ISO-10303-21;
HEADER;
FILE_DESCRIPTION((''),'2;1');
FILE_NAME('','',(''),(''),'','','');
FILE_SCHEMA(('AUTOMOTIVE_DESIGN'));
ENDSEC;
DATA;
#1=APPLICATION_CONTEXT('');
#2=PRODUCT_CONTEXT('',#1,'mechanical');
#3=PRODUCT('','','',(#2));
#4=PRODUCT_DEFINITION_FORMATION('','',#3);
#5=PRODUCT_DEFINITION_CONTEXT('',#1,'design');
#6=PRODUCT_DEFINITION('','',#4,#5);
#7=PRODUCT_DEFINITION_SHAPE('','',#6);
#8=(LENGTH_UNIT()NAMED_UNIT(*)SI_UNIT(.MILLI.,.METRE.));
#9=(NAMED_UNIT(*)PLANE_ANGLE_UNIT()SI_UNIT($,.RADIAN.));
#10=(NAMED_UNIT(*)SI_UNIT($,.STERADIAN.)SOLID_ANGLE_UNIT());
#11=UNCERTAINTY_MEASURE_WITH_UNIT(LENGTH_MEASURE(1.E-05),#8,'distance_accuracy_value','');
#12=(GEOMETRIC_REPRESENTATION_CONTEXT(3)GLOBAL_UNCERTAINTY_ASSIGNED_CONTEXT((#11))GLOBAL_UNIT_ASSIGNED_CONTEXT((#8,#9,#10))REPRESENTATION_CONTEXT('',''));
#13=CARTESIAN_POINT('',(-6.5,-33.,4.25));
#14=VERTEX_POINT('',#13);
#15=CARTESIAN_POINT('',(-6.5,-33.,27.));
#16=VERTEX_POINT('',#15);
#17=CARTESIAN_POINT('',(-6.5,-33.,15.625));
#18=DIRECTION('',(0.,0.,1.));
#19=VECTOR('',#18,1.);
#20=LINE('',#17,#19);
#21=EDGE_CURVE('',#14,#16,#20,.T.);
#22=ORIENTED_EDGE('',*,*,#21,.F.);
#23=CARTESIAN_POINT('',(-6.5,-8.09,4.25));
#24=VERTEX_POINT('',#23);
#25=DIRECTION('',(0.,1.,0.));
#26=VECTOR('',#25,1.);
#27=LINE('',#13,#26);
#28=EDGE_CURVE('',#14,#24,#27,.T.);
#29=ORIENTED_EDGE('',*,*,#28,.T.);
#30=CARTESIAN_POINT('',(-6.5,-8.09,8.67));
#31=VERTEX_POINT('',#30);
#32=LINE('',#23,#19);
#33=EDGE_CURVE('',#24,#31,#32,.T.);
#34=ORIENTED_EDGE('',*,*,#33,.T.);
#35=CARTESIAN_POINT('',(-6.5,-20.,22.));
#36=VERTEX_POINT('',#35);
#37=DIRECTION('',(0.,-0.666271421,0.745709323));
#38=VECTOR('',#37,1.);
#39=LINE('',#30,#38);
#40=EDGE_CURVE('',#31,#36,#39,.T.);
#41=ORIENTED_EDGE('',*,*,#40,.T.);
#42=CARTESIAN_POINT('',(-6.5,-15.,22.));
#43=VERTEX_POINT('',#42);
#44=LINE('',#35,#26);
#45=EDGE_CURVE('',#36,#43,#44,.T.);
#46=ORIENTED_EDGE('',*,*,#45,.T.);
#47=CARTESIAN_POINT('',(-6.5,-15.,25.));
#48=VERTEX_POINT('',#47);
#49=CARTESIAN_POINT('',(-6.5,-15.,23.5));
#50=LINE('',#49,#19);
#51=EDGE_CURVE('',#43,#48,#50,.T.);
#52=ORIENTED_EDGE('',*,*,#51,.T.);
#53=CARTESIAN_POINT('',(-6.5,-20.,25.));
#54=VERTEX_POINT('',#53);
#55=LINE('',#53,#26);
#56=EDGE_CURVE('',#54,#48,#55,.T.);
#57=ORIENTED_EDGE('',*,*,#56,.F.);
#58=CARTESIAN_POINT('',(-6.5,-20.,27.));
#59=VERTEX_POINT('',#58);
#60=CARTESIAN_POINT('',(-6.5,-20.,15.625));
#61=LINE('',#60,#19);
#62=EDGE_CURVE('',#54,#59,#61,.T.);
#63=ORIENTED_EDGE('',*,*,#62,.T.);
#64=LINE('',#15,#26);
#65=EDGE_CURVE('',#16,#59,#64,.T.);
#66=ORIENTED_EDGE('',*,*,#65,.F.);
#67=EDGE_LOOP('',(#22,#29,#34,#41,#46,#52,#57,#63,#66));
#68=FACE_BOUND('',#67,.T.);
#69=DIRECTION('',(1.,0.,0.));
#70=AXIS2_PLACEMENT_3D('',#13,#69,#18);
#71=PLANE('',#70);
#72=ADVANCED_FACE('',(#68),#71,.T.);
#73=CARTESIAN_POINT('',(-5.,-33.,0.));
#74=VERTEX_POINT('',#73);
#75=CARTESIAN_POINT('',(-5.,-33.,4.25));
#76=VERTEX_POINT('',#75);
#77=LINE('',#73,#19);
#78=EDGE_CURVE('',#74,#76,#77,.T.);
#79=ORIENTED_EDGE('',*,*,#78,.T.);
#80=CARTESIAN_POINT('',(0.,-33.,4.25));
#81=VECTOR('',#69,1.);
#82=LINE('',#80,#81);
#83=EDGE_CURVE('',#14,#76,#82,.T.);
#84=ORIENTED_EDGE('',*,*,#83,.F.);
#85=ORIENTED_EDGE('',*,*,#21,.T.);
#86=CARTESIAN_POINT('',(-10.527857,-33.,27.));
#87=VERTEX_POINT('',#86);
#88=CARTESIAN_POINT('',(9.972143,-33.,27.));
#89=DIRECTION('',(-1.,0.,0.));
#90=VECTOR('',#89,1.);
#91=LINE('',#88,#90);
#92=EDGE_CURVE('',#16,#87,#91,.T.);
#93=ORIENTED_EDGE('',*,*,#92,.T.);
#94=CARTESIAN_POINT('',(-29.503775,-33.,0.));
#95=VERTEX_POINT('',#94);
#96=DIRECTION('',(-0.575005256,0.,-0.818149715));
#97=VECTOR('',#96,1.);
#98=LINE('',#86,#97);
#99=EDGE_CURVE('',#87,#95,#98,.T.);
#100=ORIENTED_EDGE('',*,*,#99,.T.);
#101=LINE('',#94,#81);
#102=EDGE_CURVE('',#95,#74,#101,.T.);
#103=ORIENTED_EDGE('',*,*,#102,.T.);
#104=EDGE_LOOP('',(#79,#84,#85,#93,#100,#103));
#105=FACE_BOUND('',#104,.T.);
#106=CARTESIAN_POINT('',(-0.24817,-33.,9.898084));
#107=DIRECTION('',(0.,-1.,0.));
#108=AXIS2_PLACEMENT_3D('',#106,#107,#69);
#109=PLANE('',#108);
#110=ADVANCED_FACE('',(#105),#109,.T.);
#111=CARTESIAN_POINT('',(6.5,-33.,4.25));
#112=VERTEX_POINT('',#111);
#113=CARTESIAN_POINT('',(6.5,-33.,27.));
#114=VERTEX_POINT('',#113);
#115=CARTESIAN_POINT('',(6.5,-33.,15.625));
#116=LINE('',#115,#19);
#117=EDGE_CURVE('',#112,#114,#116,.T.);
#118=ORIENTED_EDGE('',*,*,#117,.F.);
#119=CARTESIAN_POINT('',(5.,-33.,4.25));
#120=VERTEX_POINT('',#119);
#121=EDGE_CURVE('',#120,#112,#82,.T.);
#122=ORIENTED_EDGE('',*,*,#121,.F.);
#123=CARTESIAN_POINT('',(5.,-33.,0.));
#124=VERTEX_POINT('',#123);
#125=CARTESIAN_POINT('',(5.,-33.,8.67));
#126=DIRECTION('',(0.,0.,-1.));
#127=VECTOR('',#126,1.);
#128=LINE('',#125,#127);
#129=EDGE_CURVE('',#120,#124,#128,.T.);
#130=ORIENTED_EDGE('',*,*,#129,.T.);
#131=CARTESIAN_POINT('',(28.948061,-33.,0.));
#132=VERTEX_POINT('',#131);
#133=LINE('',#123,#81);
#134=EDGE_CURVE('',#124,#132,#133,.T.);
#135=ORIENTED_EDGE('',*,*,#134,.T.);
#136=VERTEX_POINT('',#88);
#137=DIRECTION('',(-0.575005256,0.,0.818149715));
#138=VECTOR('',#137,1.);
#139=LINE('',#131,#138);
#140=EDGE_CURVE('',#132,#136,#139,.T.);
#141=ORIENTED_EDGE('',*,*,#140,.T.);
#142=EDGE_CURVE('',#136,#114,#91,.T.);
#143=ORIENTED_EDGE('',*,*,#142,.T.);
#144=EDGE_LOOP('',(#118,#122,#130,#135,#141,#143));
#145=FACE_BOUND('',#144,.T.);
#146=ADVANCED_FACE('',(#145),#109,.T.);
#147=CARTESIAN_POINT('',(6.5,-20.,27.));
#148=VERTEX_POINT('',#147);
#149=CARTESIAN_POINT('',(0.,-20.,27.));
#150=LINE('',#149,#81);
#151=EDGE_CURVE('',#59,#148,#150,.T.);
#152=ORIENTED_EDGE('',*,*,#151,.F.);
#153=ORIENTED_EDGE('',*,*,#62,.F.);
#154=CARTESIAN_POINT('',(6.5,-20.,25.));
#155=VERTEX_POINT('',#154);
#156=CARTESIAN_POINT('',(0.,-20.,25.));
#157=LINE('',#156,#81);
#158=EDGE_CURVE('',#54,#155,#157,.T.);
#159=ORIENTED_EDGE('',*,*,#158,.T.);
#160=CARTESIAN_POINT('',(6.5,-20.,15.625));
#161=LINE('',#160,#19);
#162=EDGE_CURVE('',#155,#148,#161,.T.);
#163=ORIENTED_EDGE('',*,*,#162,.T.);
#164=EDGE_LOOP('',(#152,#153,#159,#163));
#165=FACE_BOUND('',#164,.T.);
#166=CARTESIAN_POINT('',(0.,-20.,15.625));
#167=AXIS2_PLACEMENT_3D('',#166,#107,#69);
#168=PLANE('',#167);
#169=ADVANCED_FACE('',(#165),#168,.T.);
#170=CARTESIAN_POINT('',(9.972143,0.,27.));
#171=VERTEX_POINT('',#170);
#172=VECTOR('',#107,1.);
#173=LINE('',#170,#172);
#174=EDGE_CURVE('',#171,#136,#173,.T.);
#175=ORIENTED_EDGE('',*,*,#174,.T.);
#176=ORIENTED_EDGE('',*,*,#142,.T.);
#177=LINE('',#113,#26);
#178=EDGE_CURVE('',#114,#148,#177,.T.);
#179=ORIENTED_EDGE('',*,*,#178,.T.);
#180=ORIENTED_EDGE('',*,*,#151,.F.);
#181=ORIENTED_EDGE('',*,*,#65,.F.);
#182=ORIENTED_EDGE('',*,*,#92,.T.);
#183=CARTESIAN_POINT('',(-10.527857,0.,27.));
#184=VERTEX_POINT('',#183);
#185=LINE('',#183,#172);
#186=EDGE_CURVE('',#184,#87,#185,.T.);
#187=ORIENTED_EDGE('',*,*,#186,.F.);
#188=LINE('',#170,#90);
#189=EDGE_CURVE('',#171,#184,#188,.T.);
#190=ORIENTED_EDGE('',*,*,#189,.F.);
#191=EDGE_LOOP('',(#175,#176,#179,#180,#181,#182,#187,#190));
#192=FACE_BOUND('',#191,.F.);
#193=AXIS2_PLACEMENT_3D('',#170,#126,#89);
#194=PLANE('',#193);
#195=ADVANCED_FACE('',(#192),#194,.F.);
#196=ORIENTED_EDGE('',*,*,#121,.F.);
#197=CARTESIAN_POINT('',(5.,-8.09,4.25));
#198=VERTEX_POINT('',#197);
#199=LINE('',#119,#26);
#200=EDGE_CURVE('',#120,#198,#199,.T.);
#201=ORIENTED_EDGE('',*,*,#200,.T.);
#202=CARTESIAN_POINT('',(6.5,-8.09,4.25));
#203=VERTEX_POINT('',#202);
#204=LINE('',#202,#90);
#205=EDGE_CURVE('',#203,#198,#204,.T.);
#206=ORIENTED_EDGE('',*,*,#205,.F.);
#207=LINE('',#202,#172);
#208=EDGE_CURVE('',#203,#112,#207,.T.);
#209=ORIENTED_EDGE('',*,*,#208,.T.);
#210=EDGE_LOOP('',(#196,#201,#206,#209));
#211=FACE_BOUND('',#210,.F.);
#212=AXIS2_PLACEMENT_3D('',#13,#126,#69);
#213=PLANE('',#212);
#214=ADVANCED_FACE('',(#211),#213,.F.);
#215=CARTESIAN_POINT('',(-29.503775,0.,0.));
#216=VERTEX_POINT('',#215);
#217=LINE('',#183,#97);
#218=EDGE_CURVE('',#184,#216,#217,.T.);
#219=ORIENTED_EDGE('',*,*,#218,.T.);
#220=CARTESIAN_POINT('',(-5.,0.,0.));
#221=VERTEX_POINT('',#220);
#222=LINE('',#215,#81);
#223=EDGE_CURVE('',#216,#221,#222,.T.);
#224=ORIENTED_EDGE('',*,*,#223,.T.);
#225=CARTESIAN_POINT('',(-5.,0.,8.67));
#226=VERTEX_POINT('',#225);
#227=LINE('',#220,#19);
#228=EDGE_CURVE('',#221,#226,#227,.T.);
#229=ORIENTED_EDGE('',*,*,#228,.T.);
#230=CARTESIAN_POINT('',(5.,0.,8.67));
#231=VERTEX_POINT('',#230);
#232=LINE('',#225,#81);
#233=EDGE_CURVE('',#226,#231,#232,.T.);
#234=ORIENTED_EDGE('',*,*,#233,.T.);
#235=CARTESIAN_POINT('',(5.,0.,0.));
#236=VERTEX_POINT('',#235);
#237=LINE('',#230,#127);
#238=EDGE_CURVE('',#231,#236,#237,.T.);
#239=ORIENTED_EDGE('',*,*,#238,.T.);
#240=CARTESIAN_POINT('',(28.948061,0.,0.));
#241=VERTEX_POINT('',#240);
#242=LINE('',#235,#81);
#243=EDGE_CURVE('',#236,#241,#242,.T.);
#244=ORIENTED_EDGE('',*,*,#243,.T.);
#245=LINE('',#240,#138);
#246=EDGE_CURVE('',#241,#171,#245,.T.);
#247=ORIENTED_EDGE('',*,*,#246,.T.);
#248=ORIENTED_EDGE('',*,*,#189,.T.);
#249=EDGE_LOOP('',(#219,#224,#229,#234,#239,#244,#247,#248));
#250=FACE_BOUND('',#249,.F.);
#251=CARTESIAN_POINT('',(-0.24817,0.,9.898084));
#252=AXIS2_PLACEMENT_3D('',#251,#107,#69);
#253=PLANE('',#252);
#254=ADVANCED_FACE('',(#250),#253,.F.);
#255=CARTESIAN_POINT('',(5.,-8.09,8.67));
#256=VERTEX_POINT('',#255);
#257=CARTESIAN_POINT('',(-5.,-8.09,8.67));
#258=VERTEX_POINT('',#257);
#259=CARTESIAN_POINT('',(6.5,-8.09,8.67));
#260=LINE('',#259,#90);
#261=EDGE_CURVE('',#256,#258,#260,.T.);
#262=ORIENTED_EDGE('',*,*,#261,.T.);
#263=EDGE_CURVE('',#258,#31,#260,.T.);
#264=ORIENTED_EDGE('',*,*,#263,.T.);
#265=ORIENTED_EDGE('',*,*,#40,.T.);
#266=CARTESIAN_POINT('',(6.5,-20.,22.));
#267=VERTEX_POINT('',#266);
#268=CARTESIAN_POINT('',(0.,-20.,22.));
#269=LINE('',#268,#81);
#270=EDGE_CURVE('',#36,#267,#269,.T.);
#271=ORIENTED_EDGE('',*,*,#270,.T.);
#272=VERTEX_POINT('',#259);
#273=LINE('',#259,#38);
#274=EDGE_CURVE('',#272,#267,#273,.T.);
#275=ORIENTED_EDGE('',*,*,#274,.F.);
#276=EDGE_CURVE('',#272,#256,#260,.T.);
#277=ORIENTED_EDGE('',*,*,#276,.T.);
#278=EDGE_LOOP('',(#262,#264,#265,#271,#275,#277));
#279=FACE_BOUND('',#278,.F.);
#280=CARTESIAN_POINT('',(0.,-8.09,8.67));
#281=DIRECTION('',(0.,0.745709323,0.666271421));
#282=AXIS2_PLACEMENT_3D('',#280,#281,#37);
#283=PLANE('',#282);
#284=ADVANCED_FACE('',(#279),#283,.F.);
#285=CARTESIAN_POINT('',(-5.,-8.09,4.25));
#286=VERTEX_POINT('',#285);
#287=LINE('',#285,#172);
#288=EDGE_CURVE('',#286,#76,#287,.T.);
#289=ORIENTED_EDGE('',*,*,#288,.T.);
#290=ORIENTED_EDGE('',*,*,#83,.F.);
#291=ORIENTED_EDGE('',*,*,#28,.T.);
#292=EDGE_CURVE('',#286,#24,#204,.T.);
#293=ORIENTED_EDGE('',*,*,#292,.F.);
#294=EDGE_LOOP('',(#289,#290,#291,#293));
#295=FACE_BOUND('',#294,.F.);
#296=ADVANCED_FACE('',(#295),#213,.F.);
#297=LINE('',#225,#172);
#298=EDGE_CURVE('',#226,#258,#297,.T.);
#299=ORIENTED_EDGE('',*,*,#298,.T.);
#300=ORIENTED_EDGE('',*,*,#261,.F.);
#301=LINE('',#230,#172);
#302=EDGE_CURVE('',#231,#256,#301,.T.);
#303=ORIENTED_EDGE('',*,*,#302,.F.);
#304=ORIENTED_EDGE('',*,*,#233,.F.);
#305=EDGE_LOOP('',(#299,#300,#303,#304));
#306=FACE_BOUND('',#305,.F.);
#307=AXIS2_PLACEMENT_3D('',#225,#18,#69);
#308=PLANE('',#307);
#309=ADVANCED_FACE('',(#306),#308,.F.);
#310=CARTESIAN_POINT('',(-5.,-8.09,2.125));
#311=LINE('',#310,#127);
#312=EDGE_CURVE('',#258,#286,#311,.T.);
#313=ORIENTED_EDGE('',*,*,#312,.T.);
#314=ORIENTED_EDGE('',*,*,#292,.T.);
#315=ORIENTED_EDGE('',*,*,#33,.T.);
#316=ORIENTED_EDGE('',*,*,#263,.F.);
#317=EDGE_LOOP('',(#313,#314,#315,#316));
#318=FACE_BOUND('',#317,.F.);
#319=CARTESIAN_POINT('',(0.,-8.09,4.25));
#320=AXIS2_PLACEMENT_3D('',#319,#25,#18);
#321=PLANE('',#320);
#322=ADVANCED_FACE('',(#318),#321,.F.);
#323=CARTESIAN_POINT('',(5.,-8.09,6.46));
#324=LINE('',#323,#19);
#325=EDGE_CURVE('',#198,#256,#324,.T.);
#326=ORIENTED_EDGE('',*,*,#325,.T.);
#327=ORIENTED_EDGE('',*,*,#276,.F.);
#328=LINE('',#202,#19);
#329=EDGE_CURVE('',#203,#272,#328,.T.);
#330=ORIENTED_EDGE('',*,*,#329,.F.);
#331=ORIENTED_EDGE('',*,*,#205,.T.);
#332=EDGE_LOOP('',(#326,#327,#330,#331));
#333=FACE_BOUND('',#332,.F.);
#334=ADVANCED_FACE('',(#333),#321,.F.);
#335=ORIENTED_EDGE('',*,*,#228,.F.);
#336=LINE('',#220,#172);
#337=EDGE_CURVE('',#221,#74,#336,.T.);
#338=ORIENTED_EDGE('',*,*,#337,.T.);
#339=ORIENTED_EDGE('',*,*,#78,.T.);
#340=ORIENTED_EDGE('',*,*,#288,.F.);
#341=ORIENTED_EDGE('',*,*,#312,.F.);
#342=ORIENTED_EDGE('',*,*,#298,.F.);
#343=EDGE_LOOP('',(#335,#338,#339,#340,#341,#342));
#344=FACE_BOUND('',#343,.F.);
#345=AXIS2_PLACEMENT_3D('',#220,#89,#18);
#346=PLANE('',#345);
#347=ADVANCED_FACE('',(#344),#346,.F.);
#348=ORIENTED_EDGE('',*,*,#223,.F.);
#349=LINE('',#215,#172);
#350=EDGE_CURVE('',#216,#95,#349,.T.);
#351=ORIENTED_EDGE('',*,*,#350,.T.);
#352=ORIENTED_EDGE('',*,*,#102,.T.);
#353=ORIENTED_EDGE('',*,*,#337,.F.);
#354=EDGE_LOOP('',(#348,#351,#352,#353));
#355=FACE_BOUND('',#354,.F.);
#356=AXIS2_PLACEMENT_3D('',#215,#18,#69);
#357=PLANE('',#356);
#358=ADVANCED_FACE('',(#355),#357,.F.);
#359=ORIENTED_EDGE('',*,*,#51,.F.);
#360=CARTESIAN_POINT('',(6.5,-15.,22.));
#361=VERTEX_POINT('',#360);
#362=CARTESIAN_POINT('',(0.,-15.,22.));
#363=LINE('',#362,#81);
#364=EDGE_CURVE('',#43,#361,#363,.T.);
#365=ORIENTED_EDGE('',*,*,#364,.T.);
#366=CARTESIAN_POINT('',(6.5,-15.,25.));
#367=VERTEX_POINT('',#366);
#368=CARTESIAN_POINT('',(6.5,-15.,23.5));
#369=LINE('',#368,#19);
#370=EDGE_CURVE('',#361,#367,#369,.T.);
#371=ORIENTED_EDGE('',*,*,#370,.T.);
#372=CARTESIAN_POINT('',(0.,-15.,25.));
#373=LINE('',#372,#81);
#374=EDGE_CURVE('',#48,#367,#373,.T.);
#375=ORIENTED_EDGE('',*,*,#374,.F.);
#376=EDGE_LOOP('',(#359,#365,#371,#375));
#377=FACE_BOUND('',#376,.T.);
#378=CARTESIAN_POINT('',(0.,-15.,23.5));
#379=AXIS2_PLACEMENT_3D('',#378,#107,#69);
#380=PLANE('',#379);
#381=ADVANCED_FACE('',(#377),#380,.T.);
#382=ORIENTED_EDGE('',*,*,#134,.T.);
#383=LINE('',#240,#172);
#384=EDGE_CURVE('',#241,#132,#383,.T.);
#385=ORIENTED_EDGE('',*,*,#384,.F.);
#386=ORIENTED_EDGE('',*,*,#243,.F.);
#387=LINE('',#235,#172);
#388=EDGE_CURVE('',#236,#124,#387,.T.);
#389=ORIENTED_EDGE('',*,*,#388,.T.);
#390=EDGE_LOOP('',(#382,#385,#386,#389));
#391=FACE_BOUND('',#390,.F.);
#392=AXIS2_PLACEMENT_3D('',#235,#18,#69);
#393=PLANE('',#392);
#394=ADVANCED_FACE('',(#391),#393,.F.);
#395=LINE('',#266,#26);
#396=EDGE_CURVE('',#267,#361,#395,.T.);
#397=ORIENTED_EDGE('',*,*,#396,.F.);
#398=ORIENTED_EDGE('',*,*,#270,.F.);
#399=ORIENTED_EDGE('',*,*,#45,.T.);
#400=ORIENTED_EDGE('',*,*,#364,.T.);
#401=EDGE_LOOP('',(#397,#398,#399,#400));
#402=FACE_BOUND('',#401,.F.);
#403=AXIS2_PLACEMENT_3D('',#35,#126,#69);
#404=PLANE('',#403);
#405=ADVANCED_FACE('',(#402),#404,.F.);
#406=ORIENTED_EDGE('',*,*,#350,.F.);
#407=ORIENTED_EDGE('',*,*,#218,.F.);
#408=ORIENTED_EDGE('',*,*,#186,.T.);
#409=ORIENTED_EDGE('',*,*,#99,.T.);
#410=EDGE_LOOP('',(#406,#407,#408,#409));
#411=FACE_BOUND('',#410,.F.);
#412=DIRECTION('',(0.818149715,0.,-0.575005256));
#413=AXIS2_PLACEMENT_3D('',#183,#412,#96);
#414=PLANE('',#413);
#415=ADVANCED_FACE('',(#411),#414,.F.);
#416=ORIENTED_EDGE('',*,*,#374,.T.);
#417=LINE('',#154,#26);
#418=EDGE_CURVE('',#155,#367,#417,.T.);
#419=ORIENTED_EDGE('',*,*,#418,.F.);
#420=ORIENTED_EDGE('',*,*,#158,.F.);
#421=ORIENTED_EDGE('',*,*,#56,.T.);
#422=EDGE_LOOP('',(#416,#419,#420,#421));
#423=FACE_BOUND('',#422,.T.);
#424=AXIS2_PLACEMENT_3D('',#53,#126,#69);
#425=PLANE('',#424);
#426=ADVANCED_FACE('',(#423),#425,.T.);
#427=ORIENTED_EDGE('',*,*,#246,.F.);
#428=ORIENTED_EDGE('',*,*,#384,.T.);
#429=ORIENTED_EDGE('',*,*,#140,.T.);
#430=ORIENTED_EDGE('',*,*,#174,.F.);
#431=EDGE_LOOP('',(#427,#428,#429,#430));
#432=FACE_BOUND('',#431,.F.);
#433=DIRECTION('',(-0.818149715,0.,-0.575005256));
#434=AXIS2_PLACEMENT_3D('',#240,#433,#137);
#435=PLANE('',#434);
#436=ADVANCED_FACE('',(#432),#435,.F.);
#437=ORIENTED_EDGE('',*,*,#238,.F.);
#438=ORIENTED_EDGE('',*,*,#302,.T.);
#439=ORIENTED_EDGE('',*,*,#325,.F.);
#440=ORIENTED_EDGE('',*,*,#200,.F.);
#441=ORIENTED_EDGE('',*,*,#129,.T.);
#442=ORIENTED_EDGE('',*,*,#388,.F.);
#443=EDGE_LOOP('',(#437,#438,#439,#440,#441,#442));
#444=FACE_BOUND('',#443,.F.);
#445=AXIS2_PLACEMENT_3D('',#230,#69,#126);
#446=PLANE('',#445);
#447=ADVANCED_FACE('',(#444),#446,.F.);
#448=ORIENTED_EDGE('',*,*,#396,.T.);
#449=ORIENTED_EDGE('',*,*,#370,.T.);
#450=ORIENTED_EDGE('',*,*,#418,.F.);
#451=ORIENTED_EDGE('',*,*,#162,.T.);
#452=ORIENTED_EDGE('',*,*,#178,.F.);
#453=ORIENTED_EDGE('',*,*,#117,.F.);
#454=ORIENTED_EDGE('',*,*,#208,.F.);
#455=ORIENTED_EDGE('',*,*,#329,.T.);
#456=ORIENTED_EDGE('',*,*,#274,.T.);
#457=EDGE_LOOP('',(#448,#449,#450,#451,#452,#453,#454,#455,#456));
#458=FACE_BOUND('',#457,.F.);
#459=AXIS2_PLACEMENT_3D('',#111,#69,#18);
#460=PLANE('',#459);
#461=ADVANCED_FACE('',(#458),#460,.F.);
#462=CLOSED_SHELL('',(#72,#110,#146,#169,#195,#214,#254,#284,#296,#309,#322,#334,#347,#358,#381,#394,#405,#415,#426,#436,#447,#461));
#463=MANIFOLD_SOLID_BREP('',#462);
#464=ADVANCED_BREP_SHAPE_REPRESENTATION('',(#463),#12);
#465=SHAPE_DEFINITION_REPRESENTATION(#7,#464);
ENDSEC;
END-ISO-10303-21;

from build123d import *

# Parameters (mm, degrees)
F1_DEPTH = 33
F2_W     = 13
F2_H     = 22.75
F3_DEPTH = 13
F4_W     = 13
F4_H     = 3
F5_DEPTH = 5
F7_DEPTH = 6.5


with BuildPart() as f1:
    # F0 (on Front) → F1 (new body)
    with BuildSketch(Plane.XZ):
        Polygon((-10.527857, 27), (-29.503775, 0), (-5, 0), (-5, 8.67), (5, 8.67), (5, 0), (28.948061, 0), (9.972143, 27), align=None)
    extrude(amount=F1_DEPTH)

    # F2 (on face) → F3 (cut)
    with BuildSketch(Plane.XZ.offset(33)):
        with Locations((0, 15.625)):
            Rectangle(F2_W, F2_H)
    extrude(amount=-F3_DEPTH, mode=Mode.SUBTRACT)

    # F4 (on face) → F5 (cut)
    with BuildSketch(Plane.XZ.offset(20)):
        with Locations((0, 23.5)):
            Rectangle(F4_W, F4_H)
    extrude(amount=-F5_DEPTH, mode=Mode.SUBTRACT)

    # F6 (on Right) → F7 (cut, symmetric)
    with BuildSketch(Plane.YZ):
        Polygon((-8.09, 8.67), (-20, 22), (-20, 4.25), (-8.09, 4.25), align=None)
    extrude(amount=F7_DEPTH, both=True, mode=Mode.SUBTRACT)


solid = f1.part
